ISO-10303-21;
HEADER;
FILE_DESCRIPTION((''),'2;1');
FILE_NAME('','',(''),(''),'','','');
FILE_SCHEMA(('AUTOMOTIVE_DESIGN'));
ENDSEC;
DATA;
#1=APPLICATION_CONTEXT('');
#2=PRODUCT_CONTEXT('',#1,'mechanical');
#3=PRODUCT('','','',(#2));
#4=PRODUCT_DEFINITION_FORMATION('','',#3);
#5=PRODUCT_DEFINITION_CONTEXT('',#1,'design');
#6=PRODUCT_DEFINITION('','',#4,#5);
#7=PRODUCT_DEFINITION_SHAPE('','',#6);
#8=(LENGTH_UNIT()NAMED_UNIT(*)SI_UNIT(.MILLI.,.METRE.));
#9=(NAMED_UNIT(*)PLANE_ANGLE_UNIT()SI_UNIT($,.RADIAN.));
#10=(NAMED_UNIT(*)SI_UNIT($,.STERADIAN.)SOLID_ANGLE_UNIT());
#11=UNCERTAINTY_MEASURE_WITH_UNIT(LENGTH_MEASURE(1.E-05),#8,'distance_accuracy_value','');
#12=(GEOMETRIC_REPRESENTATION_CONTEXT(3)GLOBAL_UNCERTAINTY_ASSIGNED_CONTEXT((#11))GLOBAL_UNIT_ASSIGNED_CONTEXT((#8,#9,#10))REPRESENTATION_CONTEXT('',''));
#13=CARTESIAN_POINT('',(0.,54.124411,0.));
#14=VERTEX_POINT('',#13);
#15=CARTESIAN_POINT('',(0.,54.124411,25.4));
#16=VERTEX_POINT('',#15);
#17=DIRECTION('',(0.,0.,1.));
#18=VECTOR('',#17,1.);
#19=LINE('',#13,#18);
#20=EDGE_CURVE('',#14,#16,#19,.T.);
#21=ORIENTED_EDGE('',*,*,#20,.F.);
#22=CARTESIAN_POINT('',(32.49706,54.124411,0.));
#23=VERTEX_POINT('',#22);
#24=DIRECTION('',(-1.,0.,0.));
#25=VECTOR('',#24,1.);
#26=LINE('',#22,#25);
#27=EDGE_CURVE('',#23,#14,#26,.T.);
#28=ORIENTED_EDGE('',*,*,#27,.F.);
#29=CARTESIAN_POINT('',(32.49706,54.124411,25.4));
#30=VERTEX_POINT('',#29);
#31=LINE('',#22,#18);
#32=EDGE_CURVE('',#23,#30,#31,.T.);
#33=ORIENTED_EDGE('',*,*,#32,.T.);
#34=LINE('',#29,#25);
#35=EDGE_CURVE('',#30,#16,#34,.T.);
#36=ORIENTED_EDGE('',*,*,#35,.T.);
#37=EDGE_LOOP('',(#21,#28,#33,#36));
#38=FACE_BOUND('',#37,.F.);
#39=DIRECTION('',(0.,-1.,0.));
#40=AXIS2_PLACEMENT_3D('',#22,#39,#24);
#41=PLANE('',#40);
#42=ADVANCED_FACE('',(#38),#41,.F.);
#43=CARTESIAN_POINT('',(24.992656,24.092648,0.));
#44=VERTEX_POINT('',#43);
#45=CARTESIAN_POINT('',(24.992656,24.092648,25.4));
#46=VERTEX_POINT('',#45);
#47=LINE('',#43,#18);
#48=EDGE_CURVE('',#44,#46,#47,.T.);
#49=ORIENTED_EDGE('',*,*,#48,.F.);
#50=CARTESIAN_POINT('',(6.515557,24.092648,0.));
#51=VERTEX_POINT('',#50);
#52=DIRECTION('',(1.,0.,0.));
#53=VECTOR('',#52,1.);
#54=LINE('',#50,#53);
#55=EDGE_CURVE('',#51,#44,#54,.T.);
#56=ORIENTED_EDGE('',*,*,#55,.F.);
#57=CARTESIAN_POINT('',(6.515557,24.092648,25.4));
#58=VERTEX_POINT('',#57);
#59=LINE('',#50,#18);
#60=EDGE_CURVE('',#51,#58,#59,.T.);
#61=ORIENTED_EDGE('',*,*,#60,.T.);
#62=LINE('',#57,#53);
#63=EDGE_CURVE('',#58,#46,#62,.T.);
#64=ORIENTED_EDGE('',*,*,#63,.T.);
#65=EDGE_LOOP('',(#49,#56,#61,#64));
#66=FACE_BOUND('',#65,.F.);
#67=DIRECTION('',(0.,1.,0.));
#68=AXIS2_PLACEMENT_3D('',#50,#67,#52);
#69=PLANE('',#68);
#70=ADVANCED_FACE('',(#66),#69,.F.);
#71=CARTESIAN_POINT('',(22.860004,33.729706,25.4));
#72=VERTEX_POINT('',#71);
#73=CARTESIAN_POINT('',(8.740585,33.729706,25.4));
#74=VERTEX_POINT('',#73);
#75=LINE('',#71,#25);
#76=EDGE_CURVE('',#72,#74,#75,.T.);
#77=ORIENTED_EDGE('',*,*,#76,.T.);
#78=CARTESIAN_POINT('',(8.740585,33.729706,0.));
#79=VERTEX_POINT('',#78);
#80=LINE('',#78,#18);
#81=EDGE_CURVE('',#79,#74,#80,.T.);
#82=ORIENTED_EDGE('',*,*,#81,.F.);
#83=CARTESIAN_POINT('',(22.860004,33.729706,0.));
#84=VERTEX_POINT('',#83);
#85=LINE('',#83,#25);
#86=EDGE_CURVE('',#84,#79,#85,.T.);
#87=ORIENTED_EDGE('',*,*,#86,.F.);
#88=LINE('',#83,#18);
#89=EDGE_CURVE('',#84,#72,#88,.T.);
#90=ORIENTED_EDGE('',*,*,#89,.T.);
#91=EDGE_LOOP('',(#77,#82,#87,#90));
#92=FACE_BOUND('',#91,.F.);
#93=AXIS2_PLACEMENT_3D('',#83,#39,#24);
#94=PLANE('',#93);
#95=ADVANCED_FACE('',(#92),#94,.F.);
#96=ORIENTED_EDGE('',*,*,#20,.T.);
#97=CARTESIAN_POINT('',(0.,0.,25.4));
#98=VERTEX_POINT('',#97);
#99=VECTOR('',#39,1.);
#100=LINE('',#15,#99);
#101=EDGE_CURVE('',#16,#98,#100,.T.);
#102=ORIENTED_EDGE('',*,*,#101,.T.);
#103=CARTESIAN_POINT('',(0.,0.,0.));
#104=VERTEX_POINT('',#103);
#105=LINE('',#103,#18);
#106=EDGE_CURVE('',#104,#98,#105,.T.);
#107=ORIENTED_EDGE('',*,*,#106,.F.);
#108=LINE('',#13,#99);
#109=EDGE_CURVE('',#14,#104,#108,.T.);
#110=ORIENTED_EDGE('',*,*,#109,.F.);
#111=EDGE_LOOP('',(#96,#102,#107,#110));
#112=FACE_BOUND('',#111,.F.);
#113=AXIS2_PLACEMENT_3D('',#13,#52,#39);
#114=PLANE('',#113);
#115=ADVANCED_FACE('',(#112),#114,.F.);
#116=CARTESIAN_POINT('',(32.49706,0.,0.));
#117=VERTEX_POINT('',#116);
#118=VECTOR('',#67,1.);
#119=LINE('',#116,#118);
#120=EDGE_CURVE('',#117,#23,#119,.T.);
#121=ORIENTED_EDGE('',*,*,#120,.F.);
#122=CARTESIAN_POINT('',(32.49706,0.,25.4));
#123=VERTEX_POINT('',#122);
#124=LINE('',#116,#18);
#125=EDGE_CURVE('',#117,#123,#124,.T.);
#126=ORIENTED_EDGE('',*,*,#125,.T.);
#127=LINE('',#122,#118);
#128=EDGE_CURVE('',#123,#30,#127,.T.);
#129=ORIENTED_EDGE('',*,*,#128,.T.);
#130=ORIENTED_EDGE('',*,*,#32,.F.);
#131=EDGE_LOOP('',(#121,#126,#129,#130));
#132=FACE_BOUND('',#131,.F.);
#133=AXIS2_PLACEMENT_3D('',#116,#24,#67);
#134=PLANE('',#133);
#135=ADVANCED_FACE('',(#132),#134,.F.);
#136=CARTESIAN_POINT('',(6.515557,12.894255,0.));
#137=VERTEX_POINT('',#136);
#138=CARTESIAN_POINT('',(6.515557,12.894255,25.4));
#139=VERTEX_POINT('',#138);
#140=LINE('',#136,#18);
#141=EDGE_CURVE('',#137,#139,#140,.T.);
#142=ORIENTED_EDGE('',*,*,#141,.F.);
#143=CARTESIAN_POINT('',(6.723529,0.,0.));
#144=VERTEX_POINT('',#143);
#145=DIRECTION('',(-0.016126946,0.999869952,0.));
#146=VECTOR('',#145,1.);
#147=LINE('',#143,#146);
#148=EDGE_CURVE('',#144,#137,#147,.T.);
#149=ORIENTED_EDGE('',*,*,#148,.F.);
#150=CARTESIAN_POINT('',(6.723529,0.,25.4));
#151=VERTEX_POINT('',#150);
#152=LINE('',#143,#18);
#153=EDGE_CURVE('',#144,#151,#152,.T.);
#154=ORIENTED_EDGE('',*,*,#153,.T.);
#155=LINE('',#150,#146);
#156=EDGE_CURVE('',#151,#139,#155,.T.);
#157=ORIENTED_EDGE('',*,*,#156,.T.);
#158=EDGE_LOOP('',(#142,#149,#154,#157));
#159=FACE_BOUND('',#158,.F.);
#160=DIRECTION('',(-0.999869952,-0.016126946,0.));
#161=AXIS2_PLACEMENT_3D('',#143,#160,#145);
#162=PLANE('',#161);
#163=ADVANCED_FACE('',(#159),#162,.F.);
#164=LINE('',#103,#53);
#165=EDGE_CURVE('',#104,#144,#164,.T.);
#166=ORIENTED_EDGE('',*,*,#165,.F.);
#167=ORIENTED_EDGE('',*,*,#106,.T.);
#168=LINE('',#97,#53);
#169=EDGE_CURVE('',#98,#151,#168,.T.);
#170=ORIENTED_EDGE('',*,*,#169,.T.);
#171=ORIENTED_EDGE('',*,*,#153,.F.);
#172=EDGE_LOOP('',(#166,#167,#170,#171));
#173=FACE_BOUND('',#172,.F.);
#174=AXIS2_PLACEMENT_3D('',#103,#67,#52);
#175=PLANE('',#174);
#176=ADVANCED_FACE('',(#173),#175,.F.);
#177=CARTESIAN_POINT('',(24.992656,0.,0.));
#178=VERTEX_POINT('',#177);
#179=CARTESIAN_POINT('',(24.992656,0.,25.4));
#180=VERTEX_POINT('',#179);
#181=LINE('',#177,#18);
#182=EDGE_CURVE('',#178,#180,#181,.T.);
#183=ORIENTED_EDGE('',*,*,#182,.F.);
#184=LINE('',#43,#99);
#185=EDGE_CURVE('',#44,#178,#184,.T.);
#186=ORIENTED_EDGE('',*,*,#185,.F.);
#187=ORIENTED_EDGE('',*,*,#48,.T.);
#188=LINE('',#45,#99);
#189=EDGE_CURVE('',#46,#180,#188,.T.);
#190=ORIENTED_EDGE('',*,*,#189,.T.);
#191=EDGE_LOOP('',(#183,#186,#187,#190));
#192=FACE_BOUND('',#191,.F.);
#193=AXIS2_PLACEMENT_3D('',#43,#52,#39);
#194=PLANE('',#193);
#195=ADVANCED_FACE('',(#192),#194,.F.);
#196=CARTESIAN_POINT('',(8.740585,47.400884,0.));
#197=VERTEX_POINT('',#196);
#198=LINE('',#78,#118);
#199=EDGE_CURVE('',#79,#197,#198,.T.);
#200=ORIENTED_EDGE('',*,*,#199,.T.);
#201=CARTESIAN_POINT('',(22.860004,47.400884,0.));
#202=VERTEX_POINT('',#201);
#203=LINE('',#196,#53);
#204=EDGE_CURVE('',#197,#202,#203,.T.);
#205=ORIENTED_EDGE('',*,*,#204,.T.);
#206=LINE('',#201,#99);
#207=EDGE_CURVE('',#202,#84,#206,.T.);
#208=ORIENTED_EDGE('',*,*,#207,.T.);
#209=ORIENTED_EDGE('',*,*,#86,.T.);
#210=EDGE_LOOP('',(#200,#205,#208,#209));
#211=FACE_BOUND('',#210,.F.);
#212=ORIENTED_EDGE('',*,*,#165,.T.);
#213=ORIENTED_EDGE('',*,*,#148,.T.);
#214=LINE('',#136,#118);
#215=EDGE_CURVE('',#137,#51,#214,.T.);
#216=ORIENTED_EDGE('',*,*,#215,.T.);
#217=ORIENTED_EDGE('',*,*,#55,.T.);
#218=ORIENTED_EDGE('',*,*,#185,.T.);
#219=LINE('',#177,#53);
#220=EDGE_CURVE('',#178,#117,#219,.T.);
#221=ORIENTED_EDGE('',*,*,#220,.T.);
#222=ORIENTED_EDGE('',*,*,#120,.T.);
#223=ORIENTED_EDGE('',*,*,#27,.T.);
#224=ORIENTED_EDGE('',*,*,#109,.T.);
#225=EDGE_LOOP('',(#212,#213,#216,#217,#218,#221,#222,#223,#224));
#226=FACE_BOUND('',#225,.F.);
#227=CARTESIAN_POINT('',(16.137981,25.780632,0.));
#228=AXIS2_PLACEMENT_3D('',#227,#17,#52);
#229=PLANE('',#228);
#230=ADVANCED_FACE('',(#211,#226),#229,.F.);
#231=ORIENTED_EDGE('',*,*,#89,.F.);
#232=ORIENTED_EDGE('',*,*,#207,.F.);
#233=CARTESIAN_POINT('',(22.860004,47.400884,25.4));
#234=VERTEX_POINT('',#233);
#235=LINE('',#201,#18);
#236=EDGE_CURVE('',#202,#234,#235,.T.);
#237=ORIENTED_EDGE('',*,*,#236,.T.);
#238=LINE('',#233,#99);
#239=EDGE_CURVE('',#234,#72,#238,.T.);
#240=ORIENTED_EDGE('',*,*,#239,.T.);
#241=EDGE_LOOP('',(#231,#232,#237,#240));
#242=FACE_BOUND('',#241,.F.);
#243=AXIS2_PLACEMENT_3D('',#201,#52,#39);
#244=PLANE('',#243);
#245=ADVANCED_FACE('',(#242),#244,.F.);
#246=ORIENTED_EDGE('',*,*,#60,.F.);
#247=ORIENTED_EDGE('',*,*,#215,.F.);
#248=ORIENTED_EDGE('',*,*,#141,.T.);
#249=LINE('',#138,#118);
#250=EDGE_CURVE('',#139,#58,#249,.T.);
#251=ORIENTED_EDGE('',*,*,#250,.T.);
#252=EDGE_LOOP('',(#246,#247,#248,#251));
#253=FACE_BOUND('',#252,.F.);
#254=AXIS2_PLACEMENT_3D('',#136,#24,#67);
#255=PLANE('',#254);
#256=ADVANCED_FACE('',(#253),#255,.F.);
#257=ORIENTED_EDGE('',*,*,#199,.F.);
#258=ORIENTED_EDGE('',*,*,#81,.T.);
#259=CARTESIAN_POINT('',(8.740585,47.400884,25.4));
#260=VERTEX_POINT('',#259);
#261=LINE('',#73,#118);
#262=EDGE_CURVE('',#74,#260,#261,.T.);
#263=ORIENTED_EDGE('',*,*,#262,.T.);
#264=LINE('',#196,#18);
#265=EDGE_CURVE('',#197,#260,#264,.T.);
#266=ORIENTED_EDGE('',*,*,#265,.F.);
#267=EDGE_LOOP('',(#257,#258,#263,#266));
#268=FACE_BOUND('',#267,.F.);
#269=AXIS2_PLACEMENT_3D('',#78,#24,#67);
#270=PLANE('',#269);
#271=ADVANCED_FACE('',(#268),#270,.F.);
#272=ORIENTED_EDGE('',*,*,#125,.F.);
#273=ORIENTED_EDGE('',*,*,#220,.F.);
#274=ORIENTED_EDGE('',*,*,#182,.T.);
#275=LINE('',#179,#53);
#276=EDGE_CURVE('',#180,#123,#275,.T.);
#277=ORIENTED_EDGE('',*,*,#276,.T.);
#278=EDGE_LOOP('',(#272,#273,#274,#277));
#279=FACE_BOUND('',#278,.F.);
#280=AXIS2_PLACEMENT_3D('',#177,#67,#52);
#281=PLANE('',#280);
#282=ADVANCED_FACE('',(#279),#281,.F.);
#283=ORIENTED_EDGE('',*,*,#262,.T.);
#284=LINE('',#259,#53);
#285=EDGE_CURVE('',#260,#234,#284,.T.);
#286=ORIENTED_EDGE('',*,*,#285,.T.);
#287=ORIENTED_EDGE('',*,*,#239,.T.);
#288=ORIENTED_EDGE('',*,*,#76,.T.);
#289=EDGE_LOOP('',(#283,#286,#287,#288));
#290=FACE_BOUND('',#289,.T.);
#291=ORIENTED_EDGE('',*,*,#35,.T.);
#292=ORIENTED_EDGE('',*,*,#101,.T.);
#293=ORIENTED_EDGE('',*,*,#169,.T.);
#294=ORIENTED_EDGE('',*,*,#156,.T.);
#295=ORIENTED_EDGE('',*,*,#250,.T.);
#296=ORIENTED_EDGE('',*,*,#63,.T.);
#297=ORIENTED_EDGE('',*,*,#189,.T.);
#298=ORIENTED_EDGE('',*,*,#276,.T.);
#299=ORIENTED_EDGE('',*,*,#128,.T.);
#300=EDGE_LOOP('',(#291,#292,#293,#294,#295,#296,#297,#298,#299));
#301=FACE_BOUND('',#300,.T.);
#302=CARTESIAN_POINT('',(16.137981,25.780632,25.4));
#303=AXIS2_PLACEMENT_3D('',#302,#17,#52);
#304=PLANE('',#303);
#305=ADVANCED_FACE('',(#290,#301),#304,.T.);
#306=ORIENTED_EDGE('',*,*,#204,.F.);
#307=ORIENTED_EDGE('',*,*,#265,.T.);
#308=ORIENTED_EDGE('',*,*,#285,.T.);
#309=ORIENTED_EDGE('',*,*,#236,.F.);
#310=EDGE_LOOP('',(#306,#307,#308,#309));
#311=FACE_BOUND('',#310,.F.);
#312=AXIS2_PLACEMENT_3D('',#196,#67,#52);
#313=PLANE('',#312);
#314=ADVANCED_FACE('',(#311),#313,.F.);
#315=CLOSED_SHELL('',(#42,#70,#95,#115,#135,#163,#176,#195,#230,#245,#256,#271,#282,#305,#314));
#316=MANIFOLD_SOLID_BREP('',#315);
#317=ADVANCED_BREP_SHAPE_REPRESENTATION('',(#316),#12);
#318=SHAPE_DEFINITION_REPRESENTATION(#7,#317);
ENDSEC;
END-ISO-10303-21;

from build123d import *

# Parameters (mm, degrees)
F1_DEPTH = 25.4


with BuildPart() as f1:
    # F0 (on Top) → F1 (new body)
    with BuildSketch(Plane.XY):
        Polygon((0, 1.544545), (0, 0), (6.723529, 0), (6.515557, 12.894255), (6.515557, 24.092648), (15.912354, 24.092648), (24.992656, 24.092648), (24.992656, 1.972236), (24.992656, 0), (32.49706, 0), (32.49706, 54.124411), (0, 54.124411), (0, 37.675023), (0, 3.922059), align=None)
        Polygon((8.740585, 33.729706), (8.740585, 46.280295), (8.740585, 47.400884), (22.860004, 47.400884), (22.860004, 33.729706), (15.912354, 33.729706), align=None, mode=Mode.SUBTRACT)
    extrude(amount=F1_DEPTH)


solid = f1.part
